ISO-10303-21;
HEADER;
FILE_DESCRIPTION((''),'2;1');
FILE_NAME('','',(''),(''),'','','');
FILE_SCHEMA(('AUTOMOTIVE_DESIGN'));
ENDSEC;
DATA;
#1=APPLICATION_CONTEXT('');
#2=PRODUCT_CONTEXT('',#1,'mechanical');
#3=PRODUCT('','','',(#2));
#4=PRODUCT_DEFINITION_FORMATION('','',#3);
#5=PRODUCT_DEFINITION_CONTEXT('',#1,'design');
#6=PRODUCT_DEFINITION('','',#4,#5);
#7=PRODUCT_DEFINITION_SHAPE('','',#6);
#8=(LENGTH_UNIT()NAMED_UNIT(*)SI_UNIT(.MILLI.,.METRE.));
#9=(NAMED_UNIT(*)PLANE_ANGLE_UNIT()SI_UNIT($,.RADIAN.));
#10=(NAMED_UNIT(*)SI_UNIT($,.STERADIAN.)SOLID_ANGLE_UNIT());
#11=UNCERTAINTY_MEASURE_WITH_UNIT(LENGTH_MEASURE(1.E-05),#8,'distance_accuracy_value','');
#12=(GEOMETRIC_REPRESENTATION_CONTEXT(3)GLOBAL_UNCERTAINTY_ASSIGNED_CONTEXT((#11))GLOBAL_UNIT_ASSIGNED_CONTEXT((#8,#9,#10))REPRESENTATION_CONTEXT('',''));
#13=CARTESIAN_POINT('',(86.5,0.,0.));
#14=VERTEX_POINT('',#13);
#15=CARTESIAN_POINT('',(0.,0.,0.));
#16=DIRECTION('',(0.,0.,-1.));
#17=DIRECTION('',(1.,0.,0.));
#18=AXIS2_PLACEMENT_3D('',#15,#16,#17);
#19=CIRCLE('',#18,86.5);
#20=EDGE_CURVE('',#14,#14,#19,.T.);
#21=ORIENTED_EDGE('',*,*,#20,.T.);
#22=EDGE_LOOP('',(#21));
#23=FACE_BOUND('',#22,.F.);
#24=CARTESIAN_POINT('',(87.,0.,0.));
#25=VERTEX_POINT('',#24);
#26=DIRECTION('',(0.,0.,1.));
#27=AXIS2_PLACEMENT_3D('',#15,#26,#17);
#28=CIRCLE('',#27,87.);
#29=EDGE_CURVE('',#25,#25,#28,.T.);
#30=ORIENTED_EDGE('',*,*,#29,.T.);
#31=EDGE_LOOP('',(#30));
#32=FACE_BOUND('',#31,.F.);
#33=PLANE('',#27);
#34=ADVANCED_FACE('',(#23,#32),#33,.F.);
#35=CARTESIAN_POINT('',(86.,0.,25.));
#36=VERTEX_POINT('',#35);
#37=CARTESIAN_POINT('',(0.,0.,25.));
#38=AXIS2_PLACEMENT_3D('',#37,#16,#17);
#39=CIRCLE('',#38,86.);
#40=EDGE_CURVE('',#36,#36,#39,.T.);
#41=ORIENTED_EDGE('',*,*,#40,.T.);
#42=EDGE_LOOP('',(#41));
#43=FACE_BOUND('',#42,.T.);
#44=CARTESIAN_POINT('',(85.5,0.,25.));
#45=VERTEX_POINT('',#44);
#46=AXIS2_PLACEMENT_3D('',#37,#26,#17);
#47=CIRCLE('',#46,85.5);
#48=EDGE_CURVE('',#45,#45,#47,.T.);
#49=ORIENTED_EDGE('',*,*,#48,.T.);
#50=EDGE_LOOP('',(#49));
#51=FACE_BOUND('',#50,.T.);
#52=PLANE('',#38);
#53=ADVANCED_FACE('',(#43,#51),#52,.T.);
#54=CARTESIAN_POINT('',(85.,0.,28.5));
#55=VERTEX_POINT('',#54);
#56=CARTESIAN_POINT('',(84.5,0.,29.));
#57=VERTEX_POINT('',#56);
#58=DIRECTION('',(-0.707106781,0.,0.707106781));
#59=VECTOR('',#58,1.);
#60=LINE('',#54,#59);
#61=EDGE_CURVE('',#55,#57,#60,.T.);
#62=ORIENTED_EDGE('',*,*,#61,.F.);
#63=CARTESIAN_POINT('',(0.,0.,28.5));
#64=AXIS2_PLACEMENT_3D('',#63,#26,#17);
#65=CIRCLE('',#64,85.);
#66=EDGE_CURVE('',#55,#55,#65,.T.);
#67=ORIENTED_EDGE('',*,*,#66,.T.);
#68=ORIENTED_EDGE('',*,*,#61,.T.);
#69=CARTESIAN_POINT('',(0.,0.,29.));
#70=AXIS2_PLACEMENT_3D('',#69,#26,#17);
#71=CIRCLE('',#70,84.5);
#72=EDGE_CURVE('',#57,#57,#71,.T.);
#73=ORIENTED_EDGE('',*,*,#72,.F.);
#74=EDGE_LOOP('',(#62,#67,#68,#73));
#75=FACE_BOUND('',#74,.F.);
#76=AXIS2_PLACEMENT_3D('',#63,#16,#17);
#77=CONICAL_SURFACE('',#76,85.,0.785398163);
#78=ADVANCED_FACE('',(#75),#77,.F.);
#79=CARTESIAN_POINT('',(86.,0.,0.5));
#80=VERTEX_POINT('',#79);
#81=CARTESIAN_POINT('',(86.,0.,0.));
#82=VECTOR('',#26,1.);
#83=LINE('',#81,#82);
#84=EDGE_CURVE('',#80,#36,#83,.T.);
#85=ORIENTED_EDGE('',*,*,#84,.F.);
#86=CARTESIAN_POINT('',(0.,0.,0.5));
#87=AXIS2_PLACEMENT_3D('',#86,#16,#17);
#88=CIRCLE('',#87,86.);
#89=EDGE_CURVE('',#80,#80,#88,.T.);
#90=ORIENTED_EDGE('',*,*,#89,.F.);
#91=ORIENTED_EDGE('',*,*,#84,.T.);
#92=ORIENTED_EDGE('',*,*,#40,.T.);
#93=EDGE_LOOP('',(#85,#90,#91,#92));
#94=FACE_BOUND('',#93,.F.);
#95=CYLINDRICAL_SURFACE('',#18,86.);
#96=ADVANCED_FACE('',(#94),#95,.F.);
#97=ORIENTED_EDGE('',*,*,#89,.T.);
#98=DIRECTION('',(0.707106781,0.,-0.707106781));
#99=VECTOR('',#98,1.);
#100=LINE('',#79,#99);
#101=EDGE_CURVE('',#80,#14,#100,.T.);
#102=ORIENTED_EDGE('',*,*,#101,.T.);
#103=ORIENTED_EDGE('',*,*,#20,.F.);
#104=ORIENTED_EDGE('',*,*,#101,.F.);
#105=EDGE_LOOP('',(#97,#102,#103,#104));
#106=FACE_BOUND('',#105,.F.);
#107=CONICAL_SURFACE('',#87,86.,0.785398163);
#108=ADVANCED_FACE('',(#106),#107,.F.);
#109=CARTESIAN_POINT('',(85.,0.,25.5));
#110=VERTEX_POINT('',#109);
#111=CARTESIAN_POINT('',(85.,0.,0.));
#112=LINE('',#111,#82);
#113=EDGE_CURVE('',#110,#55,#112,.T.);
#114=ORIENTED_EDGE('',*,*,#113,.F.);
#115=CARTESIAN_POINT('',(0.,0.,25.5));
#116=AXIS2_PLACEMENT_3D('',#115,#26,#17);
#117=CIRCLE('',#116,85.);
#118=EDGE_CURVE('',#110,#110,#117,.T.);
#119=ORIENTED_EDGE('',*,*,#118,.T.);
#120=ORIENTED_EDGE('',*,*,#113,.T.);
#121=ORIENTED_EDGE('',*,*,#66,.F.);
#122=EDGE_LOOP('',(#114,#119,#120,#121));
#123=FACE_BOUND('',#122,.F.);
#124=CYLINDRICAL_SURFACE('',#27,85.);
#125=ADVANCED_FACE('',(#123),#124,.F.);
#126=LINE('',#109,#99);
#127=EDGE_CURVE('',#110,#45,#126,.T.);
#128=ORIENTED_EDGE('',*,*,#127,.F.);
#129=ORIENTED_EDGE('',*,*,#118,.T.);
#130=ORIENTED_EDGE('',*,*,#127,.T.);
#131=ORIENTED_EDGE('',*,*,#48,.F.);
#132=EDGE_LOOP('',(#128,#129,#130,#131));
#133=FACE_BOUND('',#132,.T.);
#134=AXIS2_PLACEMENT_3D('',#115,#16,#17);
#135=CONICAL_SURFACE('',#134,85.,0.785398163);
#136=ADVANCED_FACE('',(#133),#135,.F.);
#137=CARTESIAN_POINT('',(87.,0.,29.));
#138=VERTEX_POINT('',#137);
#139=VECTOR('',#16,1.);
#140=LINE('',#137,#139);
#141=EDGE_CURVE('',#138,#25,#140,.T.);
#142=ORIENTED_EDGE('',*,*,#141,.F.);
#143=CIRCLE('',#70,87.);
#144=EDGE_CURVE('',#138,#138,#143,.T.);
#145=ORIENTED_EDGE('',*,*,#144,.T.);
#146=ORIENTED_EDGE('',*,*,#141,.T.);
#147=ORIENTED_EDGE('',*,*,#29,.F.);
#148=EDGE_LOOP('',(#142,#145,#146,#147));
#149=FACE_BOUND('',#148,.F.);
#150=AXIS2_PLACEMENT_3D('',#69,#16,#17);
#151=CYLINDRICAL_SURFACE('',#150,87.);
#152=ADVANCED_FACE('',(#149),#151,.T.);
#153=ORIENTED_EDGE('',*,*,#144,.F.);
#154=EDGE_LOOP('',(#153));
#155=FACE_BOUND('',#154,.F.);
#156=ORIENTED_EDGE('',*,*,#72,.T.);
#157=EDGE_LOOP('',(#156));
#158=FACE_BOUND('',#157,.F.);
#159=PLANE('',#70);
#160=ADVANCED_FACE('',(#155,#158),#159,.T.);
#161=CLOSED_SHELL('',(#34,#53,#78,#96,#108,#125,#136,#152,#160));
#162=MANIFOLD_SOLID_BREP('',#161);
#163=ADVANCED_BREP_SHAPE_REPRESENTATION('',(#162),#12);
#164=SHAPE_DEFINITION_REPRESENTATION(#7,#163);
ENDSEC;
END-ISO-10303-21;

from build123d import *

# Parameters (mm, degrees)
SKETCH020_R     = 86
POCKET013_DEPTH = 25
CHAMFER003_SIZE = 0.5


with BuildPart() as part:
    # Sketch019 → Revolution (revolve)
    with BuildSketch(Plane.XZ):
        Polygon((85, 0), (85, 28.5), (84.5, 29), (87, 29), (87, 0), align=None)
    revolve(axis=Axis((0, 0, 0), (0, 0, 1)))

    # Sketch020 (on Face5 of Revolution) → Pocket013 (cut)
    with BuildSketch(Plane(origin=(0, 0, 0), x_dir=(1, 0, 0), z_dir=(0, 0, -1))):
        Circle(SKETCH020_R)
    extrude(amount=-POCKET013_DEPTH, mode=Mode.SUBTRACT)

    # Chamfer003
    chamfer003_edges = [part.edges().sort_by_distance(p)[0] for p in [
        (-85, 0, 25),
        (-86, 0, 0),
    ]]
    chamfer(chamfer003_edges, length=CHAMFER003_SIZE)


solid = part.part
